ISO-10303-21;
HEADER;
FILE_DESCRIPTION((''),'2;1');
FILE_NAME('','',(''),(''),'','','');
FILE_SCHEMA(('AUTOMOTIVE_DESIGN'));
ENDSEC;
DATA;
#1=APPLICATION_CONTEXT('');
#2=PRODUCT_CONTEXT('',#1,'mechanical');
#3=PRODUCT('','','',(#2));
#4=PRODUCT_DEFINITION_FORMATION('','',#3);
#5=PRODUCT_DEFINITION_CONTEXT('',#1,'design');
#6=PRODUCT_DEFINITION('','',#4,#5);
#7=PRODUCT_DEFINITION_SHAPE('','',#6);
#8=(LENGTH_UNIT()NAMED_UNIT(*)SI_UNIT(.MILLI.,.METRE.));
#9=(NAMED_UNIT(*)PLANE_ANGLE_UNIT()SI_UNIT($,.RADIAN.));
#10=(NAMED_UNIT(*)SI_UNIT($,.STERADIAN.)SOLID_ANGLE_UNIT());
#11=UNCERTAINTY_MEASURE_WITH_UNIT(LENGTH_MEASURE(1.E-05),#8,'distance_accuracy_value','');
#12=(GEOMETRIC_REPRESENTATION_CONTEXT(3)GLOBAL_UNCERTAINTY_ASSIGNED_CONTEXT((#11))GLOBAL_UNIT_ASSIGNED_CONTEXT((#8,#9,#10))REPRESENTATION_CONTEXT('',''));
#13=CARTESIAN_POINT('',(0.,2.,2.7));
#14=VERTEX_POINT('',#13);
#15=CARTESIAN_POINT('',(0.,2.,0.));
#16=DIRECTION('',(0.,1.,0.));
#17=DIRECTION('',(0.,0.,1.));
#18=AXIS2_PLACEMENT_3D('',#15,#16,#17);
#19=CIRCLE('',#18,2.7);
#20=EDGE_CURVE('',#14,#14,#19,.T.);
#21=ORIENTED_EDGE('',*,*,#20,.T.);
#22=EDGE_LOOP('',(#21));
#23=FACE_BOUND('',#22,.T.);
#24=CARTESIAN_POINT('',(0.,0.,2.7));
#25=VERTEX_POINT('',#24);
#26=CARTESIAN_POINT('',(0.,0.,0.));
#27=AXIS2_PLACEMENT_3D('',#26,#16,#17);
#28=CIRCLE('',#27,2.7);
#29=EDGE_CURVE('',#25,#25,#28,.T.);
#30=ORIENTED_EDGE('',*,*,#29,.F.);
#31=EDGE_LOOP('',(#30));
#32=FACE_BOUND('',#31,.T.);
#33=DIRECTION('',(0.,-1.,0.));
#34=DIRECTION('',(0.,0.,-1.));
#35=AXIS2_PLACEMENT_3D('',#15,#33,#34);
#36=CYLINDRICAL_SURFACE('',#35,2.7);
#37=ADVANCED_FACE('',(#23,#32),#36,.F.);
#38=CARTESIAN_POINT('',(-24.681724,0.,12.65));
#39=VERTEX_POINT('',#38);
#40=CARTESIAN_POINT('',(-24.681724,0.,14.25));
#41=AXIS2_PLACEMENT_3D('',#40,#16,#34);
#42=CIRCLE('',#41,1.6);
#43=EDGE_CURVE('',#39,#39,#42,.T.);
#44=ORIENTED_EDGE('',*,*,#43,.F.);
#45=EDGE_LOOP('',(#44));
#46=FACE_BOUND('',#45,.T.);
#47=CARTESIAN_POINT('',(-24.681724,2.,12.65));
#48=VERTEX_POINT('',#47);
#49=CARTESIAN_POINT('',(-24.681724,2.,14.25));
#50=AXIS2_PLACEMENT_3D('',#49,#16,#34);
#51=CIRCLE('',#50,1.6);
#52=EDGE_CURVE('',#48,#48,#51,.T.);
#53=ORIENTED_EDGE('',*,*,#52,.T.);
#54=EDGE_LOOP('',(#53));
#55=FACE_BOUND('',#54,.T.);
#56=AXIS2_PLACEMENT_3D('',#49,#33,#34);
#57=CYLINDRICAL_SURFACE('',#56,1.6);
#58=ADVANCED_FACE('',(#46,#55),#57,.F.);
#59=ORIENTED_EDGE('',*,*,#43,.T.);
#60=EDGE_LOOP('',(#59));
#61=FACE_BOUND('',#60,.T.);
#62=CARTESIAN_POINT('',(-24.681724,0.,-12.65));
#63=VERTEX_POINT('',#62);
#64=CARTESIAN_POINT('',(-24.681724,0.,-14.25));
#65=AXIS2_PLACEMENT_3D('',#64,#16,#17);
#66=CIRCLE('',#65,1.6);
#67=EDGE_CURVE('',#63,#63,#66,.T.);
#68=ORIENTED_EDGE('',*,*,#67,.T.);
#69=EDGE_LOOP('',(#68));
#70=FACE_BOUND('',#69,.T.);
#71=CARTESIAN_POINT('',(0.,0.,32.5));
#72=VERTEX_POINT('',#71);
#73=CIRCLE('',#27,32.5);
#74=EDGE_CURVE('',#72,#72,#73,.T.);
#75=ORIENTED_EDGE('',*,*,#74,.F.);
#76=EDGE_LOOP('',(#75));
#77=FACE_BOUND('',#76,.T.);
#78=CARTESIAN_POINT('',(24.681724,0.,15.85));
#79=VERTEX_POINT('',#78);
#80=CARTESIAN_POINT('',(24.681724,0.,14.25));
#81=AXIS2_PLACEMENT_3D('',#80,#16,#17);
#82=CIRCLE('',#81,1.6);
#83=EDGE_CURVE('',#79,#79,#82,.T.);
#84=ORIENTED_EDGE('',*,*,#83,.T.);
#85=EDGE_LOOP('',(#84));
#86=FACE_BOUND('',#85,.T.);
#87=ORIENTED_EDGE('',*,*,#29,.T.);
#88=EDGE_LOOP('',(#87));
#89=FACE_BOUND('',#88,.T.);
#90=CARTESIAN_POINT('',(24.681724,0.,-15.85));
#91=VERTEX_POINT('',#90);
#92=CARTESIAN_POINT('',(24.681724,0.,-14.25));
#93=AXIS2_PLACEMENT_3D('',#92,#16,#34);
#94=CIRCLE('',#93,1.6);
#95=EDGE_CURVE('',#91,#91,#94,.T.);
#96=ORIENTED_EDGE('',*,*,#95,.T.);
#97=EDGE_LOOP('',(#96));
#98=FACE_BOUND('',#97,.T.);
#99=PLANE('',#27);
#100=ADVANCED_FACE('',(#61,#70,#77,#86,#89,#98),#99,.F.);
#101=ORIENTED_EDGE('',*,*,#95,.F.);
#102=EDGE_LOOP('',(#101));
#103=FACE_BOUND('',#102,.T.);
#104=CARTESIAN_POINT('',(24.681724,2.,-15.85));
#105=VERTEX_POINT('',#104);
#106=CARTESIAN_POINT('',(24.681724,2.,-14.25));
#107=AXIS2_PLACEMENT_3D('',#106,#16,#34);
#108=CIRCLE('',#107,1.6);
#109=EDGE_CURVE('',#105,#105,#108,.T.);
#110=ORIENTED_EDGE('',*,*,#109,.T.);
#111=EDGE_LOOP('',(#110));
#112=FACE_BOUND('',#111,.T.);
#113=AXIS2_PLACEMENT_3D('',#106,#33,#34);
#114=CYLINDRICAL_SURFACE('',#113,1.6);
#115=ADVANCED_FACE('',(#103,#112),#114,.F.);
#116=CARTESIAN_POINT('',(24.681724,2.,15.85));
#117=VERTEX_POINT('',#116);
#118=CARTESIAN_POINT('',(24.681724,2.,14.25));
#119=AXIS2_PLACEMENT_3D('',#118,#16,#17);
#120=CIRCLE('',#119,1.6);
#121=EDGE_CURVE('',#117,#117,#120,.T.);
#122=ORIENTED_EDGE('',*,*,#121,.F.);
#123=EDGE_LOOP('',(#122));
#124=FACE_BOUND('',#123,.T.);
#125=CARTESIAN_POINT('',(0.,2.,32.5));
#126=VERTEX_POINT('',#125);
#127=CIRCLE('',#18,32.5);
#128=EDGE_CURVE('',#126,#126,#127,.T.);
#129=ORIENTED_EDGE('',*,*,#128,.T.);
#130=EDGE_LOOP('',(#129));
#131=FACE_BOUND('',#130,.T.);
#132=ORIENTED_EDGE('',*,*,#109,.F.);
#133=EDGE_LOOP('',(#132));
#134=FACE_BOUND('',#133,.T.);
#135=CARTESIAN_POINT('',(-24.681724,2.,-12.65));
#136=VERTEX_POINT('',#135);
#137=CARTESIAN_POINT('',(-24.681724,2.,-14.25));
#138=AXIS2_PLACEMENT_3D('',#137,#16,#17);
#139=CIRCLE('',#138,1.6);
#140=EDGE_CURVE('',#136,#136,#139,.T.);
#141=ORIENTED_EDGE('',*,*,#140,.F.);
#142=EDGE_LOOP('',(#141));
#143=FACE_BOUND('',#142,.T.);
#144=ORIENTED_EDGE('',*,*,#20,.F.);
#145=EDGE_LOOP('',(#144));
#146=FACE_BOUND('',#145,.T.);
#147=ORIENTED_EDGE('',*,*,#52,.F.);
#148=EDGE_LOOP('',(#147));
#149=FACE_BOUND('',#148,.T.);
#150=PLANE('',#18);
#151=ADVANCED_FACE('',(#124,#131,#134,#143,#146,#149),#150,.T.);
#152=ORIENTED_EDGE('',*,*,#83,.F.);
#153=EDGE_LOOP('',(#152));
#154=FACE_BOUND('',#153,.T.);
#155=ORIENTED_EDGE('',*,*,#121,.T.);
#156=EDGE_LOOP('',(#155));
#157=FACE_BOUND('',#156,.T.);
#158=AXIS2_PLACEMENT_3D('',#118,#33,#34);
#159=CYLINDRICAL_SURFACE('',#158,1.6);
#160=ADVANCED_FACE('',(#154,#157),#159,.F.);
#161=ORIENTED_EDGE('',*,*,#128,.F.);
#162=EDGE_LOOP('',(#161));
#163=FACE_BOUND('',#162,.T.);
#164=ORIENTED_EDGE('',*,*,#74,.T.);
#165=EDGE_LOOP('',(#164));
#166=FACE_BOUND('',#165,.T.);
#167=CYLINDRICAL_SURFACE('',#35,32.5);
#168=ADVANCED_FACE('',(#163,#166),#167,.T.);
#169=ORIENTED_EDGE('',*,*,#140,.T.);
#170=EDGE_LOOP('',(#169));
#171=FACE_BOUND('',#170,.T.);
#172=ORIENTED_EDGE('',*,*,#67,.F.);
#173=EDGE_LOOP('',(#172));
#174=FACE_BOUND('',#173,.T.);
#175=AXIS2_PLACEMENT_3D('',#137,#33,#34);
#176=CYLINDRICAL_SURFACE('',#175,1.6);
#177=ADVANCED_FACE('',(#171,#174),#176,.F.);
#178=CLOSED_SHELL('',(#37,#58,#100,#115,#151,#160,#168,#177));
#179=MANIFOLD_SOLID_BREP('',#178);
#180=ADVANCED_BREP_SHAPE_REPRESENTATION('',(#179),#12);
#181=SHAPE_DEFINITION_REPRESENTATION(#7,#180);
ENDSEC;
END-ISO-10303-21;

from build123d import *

# Parameters (mm, degrees)
SKETCH_1_R      = 32.5
SKETCH_1_R_2    = 1.6
SKETCH_1_R_3    = 2.7
EXTRUDE_1_DEPTH = 2


with BuildPart() as part:
    # 草图1 → 凸台-拉伸1 (new body)
    with BuildSketch(Plane(origin=(0, 0, 0), x_dir=(1, 0, 0), z_dir=(0, 1, 0))):
        with Locations(Location((0, 0, 0), (0, 0, 270))):
            Circle(SKETCH_1_R)
        with Locations(Location((24.681724008, -14.25, 0), (0, 0, 270))):
            Circle(SKETCH_1_R_2, mode=Mode.SUBTRACT)
        with Locations(Location((-24.681724008, -14.25, 0), (0, 0, 90))):
            Circle(SKETCH_1_R_2, mode=Mode.SUBTRACT)
        with Locations(Location((24.681724008, 14.25, 0), (0, 0, 90))):
            Circle(SKETCH_1_R_2, mode=Mode.SUBTRACT)
        with Locations(Location((-24.681724008, 14.25, 0), (0, 0, 270))):
            Circle(SKETCH_1_R_2, mode=Mode.SUBTRACT)
        with Locations(Location((0, 0, 0), (0, 0, 270))):
            Circle(SKETCH_1_R_3, mode=Mode.SUBTRACT)
    extrude(amount=EXTRUDE_1_DEPTH)


solid = part.part
